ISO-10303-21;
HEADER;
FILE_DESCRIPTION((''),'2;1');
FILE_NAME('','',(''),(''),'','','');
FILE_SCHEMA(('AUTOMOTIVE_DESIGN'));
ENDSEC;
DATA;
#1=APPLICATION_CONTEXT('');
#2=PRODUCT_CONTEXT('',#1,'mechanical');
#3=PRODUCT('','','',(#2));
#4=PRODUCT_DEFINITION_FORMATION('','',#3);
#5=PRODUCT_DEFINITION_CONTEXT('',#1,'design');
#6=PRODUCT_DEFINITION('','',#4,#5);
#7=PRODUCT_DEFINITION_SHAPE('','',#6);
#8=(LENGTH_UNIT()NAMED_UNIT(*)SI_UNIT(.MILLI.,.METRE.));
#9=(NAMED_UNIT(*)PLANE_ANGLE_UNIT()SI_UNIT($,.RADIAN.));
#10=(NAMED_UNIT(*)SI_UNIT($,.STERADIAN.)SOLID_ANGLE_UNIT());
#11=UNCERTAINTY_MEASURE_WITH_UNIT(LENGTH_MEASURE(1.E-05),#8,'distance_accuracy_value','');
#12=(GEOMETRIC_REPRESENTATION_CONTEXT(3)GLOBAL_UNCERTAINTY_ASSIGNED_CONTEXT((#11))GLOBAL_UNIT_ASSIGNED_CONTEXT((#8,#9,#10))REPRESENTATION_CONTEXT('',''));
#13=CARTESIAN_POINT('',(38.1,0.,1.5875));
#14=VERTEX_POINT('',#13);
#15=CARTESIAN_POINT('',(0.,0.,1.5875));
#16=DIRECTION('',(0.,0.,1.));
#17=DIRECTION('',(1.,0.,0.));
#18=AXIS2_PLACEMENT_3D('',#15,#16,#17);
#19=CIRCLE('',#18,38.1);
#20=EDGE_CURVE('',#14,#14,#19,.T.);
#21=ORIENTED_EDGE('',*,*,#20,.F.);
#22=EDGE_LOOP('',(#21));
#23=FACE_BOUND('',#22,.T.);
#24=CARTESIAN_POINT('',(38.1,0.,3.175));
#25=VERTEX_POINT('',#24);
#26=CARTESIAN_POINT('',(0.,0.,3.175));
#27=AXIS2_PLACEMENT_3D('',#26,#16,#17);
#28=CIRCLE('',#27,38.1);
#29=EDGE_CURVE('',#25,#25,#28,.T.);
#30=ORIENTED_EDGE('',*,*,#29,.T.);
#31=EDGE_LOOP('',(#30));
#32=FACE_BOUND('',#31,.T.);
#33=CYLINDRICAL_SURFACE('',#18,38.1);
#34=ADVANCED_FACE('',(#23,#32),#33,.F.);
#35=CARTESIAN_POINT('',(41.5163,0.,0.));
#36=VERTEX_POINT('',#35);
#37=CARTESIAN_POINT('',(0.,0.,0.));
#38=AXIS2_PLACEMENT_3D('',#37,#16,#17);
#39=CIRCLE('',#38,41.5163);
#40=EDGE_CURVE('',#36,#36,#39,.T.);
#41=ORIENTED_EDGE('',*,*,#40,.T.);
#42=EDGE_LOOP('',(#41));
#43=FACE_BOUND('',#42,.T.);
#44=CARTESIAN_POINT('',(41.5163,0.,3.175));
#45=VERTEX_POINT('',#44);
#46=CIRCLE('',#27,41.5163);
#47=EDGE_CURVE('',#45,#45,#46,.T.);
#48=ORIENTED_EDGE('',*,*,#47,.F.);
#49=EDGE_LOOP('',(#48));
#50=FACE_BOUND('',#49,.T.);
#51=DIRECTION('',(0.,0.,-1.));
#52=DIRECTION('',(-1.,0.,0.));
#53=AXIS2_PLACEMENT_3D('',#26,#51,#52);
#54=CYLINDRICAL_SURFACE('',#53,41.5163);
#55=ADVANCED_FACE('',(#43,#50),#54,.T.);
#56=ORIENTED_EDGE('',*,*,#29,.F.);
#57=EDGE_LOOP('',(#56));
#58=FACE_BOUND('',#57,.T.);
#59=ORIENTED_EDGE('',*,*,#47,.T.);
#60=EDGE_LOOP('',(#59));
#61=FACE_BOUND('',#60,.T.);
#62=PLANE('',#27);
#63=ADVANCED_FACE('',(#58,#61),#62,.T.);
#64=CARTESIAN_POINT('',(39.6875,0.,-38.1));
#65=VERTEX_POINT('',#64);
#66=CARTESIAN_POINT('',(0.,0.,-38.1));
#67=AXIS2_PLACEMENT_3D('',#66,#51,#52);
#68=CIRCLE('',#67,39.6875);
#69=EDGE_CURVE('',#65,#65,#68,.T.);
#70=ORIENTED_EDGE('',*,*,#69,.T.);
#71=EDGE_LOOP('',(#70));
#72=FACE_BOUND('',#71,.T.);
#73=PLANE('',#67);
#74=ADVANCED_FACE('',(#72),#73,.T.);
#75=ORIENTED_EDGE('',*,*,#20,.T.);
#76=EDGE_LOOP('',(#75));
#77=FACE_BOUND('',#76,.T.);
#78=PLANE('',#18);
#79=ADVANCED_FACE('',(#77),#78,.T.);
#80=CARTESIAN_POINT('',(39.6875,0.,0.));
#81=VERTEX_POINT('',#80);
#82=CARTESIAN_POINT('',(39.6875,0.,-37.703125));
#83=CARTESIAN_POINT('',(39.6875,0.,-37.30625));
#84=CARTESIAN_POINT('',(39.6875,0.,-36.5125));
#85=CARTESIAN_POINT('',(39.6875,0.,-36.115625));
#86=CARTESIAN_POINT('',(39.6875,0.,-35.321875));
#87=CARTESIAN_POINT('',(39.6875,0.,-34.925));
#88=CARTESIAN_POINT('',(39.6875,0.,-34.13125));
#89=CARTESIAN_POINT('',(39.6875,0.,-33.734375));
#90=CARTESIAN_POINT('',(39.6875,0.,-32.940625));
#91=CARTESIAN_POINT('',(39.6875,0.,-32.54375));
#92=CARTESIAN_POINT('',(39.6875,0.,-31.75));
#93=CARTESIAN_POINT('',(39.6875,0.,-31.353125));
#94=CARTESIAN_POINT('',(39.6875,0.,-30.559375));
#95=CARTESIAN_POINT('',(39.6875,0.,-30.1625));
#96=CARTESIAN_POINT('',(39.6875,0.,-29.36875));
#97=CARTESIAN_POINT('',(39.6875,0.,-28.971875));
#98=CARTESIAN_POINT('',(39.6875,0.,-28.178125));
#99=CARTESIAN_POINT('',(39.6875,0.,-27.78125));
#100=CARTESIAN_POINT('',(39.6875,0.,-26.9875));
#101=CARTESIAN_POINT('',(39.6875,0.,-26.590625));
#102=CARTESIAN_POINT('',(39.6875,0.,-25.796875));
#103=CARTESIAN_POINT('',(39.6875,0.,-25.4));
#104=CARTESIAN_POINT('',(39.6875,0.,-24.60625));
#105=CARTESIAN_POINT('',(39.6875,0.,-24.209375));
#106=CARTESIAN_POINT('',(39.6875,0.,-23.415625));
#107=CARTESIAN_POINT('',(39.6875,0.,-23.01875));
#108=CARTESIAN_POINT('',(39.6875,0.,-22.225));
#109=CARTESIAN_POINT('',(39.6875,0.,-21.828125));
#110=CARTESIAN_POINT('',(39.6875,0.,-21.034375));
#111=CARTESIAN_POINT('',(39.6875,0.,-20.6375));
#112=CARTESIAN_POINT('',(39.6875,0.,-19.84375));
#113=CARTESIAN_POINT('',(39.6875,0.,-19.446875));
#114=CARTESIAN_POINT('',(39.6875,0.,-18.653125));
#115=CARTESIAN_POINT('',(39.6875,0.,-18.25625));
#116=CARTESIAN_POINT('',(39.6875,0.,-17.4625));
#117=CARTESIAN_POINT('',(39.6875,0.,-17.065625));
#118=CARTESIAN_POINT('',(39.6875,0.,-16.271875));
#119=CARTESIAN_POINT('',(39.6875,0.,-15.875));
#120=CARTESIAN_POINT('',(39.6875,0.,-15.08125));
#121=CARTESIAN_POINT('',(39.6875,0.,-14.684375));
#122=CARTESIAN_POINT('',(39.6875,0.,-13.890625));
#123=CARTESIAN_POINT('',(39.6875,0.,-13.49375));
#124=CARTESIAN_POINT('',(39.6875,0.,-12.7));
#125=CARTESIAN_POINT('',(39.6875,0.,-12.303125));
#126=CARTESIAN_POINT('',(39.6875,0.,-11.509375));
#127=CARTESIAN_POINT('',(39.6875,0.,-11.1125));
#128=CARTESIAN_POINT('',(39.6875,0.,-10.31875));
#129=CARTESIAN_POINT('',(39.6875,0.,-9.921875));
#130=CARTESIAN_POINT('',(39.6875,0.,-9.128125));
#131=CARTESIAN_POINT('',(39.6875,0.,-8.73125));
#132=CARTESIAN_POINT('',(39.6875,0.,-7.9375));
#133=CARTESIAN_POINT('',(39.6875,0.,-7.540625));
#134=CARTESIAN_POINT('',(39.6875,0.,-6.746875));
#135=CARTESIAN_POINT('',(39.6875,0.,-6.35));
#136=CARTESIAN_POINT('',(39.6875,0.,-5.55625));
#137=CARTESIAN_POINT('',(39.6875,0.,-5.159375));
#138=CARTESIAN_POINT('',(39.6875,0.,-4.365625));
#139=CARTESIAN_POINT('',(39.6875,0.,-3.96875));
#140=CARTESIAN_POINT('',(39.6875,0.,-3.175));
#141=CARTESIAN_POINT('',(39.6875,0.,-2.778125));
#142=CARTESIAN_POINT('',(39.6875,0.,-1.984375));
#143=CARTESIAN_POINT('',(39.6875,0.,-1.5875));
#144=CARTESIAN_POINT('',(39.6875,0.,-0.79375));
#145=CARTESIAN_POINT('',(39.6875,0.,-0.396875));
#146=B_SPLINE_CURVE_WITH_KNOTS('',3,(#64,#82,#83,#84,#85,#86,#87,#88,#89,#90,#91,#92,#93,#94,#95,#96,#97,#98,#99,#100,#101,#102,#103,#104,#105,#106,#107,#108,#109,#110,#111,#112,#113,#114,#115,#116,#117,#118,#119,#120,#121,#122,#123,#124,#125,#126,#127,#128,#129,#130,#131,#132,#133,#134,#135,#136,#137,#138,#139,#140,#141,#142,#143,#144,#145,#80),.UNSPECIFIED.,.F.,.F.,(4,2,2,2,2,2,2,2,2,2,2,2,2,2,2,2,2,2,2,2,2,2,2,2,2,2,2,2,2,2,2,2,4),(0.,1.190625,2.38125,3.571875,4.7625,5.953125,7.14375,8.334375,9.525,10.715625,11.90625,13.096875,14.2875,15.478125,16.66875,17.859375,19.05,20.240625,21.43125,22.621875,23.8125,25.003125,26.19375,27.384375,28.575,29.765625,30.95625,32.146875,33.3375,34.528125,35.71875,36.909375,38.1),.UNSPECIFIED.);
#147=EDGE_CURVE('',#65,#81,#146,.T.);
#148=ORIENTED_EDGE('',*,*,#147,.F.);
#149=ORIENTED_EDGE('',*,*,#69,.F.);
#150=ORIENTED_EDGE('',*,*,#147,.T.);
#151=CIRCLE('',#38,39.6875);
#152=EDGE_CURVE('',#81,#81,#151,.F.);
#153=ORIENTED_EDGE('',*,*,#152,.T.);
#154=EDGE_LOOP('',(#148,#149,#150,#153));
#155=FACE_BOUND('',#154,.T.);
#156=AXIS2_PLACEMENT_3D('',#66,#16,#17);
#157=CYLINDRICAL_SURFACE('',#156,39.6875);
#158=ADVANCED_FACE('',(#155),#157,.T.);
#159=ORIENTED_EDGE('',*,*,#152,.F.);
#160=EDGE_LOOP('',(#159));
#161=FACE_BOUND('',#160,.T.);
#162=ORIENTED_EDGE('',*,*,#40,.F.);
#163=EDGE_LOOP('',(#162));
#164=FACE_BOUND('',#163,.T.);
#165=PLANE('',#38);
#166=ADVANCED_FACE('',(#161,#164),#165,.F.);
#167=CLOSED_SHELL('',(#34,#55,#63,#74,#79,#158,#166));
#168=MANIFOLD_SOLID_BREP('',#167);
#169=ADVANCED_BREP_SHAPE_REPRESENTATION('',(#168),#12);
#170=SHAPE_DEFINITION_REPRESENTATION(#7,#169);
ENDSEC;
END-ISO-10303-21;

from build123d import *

# Parameters (mm, degrees)
SKETCH1_R           = 41.5163
BOSS_EXTRUDE1_DEPTH = 3.175
SKETCH2_R           = 39.6875
BOSS_EXTRUDE2_DEPTH = 38.1
SKETCH3_R           = 38.1
CUT_EXTRUDE1_DEPTH  = 1.5875


with BuildPart() as part:
    # Sketch1 → Boss-Extrude1 (new body)
    with BuildSketch(Plane.XY):
        Circle(SKETCH1_R)
    extrude(amount=BOSS_EXTRUDE1_DEPTH)

    # Sketch2 → Boss-Extrude2 (add)
    with BuildSketch(Plane(origin=(0, 0, 0), x_dir=(-1, 0, 0), z_dir=(0, 0, -1))):
        Circle(SKETCH2_R)
    extrude(amount=BOSS_EXTRUDE2_DEPTH)

    # Sketch3 → Cut-Extrude1 (cut)
    with BuildSketch(Plane.XY.offset(3.175)):
        Circle(SKETCH3_R)
    extrude(amount=-CUT_EXTRUDE1_DEPTH, mode=Mode.SUBTRACT)


solid = part.part
